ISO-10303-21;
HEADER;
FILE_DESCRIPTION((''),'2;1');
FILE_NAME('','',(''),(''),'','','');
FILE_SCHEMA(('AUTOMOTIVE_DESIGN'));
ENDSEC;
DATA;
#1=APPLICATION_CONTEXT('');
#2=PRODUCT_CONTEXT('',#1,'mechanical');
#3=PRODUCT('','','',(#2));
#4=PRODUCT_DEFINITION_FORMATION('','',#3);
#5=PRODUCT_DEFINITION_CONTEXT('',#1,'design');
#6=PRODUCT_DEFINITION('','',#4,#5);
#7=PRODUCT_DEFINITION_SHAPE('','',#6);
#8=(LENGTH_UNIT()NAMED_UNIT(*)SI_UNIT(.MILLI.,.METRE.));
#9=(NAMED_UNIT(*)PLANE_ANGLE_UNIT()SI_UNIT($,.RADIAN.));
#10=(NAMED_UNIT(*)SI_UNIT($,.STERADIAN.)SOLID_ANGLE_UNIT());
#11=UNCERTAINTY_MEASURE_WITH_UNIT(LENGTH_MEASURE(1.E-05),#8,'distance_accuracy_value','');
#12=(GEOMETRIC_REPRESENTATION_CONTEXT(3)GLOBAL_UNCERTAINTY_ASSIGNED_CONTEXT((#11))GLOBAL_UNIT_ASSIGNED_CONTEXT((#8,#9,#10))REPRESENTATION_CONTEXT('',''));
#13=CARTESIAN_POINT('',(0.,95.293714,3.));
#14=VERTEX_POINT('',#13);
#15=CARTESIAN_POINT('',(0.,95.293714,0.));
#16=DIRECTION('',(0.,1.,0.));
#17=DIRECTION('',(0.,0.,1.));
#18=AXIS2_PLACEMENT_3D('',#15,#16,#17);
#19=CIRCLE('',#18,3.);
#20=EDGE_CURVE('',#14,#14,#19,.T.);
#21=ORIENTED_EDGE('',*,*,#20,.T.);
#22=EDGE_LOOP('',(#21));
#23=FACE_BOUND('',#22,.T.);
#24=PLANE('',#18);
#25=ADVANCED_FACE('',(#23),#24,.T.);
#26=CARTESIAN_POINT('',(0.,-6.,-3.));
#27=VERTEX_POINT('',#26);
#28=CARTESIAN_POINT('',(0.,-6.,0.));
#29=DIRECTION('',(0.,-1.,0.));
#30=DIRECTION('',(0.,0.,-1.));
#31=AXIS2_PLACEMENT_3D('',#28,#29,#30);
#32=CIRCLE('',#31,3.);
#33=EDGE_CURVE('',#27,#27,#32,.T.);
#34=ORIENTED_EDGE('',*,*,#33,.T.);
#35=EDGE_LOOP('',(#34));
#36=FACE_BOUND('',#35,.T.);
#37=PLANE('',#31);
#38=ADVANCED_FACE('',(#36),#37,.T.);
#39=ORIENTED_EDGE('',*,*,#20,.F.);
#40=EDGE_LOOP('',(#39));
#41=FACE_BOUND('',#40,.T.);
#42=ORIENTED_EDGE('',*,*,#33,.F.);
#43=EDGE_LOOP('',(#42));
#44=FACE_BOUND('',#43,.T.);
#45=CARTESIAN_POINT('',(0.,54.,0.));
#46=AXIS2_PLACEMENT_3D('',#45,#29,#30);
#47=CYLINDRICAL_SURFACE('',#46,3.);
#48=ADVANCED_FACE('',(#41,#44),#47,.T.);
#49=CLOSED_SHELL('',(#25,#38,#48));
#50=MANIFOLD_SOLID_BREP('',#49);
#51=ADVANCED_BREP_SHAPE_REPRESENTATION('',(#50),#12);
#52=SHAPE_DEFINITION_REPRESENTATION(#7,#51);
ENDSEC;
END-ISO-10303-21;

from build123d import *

# Parameters (mm, degrees)
SKETCH1_R           = 3
BOSS_EXTRUDE1_DEPTH = 54
SKETCH2_R           = 3
BOSS_EXTRUDE2_DEPTH = 35.293714059
SKETCH3_R           = 3
BOSS_EXTRUDE3_DEPTH = 6
BOSS_EXTRUDE4_START = 6
SKETCH4_R           = 3
BOSS_EXTRUDE4_DEPTH = 6


with BuildPart() as part:
    # Sketch1 → Boss-Extrude1 (new body)
    with BuildSketch(Plane(origin=(0, 0, 0), x_dir=(1, 0, 0), z_dir=(0, 1, 0))):
        with Locations(Location((0, 0, 0), (0, 0, 270))):
            Circle(SKETCH1_R)
    extrude(amount=BOSS_EXTRUDE1_DEPTH)

    # Sketch2 → Boss-Extrude2 (add)
    with BuildSketch(Plane(origin=(0, 54, 0), x_dir=(1, 0, 0), z_dir=(0, 1, 0))):
        with Locations(Location((0, 0, 0), (0, 0, 270))):
            Circle(SKETCH2_R)
    extrude(amount=BOSS_EXTRUDE2_DEPTH)

    # Sketch3 → Boss-Extrude3 (add)
    with BuildSketch(Plane(origin=(0, 89.293714059, 0), x_dir=(1, 0, 0), z_dir=(0, 1, 0))):
        with Locations(Location((0, 0, 0), (0, 0, 270))):
            Circle(SKETCH3_R)
    extrude(amount=BOSS_EXTRUDE3_DEPTH)

    # Sketch4 → Boss-Extrude4 (add)
    with BuildSketch(Plane.XZ.offset(BOSS_EXTRUDE4_START)):
        with Locations(Location((0, 0, 0), (0, 0, 270))):
            Circle(SKETCH4_R)
    extrude(amount=-BOSS_EXTRUDE4_DEPTH)


solid = part.part
